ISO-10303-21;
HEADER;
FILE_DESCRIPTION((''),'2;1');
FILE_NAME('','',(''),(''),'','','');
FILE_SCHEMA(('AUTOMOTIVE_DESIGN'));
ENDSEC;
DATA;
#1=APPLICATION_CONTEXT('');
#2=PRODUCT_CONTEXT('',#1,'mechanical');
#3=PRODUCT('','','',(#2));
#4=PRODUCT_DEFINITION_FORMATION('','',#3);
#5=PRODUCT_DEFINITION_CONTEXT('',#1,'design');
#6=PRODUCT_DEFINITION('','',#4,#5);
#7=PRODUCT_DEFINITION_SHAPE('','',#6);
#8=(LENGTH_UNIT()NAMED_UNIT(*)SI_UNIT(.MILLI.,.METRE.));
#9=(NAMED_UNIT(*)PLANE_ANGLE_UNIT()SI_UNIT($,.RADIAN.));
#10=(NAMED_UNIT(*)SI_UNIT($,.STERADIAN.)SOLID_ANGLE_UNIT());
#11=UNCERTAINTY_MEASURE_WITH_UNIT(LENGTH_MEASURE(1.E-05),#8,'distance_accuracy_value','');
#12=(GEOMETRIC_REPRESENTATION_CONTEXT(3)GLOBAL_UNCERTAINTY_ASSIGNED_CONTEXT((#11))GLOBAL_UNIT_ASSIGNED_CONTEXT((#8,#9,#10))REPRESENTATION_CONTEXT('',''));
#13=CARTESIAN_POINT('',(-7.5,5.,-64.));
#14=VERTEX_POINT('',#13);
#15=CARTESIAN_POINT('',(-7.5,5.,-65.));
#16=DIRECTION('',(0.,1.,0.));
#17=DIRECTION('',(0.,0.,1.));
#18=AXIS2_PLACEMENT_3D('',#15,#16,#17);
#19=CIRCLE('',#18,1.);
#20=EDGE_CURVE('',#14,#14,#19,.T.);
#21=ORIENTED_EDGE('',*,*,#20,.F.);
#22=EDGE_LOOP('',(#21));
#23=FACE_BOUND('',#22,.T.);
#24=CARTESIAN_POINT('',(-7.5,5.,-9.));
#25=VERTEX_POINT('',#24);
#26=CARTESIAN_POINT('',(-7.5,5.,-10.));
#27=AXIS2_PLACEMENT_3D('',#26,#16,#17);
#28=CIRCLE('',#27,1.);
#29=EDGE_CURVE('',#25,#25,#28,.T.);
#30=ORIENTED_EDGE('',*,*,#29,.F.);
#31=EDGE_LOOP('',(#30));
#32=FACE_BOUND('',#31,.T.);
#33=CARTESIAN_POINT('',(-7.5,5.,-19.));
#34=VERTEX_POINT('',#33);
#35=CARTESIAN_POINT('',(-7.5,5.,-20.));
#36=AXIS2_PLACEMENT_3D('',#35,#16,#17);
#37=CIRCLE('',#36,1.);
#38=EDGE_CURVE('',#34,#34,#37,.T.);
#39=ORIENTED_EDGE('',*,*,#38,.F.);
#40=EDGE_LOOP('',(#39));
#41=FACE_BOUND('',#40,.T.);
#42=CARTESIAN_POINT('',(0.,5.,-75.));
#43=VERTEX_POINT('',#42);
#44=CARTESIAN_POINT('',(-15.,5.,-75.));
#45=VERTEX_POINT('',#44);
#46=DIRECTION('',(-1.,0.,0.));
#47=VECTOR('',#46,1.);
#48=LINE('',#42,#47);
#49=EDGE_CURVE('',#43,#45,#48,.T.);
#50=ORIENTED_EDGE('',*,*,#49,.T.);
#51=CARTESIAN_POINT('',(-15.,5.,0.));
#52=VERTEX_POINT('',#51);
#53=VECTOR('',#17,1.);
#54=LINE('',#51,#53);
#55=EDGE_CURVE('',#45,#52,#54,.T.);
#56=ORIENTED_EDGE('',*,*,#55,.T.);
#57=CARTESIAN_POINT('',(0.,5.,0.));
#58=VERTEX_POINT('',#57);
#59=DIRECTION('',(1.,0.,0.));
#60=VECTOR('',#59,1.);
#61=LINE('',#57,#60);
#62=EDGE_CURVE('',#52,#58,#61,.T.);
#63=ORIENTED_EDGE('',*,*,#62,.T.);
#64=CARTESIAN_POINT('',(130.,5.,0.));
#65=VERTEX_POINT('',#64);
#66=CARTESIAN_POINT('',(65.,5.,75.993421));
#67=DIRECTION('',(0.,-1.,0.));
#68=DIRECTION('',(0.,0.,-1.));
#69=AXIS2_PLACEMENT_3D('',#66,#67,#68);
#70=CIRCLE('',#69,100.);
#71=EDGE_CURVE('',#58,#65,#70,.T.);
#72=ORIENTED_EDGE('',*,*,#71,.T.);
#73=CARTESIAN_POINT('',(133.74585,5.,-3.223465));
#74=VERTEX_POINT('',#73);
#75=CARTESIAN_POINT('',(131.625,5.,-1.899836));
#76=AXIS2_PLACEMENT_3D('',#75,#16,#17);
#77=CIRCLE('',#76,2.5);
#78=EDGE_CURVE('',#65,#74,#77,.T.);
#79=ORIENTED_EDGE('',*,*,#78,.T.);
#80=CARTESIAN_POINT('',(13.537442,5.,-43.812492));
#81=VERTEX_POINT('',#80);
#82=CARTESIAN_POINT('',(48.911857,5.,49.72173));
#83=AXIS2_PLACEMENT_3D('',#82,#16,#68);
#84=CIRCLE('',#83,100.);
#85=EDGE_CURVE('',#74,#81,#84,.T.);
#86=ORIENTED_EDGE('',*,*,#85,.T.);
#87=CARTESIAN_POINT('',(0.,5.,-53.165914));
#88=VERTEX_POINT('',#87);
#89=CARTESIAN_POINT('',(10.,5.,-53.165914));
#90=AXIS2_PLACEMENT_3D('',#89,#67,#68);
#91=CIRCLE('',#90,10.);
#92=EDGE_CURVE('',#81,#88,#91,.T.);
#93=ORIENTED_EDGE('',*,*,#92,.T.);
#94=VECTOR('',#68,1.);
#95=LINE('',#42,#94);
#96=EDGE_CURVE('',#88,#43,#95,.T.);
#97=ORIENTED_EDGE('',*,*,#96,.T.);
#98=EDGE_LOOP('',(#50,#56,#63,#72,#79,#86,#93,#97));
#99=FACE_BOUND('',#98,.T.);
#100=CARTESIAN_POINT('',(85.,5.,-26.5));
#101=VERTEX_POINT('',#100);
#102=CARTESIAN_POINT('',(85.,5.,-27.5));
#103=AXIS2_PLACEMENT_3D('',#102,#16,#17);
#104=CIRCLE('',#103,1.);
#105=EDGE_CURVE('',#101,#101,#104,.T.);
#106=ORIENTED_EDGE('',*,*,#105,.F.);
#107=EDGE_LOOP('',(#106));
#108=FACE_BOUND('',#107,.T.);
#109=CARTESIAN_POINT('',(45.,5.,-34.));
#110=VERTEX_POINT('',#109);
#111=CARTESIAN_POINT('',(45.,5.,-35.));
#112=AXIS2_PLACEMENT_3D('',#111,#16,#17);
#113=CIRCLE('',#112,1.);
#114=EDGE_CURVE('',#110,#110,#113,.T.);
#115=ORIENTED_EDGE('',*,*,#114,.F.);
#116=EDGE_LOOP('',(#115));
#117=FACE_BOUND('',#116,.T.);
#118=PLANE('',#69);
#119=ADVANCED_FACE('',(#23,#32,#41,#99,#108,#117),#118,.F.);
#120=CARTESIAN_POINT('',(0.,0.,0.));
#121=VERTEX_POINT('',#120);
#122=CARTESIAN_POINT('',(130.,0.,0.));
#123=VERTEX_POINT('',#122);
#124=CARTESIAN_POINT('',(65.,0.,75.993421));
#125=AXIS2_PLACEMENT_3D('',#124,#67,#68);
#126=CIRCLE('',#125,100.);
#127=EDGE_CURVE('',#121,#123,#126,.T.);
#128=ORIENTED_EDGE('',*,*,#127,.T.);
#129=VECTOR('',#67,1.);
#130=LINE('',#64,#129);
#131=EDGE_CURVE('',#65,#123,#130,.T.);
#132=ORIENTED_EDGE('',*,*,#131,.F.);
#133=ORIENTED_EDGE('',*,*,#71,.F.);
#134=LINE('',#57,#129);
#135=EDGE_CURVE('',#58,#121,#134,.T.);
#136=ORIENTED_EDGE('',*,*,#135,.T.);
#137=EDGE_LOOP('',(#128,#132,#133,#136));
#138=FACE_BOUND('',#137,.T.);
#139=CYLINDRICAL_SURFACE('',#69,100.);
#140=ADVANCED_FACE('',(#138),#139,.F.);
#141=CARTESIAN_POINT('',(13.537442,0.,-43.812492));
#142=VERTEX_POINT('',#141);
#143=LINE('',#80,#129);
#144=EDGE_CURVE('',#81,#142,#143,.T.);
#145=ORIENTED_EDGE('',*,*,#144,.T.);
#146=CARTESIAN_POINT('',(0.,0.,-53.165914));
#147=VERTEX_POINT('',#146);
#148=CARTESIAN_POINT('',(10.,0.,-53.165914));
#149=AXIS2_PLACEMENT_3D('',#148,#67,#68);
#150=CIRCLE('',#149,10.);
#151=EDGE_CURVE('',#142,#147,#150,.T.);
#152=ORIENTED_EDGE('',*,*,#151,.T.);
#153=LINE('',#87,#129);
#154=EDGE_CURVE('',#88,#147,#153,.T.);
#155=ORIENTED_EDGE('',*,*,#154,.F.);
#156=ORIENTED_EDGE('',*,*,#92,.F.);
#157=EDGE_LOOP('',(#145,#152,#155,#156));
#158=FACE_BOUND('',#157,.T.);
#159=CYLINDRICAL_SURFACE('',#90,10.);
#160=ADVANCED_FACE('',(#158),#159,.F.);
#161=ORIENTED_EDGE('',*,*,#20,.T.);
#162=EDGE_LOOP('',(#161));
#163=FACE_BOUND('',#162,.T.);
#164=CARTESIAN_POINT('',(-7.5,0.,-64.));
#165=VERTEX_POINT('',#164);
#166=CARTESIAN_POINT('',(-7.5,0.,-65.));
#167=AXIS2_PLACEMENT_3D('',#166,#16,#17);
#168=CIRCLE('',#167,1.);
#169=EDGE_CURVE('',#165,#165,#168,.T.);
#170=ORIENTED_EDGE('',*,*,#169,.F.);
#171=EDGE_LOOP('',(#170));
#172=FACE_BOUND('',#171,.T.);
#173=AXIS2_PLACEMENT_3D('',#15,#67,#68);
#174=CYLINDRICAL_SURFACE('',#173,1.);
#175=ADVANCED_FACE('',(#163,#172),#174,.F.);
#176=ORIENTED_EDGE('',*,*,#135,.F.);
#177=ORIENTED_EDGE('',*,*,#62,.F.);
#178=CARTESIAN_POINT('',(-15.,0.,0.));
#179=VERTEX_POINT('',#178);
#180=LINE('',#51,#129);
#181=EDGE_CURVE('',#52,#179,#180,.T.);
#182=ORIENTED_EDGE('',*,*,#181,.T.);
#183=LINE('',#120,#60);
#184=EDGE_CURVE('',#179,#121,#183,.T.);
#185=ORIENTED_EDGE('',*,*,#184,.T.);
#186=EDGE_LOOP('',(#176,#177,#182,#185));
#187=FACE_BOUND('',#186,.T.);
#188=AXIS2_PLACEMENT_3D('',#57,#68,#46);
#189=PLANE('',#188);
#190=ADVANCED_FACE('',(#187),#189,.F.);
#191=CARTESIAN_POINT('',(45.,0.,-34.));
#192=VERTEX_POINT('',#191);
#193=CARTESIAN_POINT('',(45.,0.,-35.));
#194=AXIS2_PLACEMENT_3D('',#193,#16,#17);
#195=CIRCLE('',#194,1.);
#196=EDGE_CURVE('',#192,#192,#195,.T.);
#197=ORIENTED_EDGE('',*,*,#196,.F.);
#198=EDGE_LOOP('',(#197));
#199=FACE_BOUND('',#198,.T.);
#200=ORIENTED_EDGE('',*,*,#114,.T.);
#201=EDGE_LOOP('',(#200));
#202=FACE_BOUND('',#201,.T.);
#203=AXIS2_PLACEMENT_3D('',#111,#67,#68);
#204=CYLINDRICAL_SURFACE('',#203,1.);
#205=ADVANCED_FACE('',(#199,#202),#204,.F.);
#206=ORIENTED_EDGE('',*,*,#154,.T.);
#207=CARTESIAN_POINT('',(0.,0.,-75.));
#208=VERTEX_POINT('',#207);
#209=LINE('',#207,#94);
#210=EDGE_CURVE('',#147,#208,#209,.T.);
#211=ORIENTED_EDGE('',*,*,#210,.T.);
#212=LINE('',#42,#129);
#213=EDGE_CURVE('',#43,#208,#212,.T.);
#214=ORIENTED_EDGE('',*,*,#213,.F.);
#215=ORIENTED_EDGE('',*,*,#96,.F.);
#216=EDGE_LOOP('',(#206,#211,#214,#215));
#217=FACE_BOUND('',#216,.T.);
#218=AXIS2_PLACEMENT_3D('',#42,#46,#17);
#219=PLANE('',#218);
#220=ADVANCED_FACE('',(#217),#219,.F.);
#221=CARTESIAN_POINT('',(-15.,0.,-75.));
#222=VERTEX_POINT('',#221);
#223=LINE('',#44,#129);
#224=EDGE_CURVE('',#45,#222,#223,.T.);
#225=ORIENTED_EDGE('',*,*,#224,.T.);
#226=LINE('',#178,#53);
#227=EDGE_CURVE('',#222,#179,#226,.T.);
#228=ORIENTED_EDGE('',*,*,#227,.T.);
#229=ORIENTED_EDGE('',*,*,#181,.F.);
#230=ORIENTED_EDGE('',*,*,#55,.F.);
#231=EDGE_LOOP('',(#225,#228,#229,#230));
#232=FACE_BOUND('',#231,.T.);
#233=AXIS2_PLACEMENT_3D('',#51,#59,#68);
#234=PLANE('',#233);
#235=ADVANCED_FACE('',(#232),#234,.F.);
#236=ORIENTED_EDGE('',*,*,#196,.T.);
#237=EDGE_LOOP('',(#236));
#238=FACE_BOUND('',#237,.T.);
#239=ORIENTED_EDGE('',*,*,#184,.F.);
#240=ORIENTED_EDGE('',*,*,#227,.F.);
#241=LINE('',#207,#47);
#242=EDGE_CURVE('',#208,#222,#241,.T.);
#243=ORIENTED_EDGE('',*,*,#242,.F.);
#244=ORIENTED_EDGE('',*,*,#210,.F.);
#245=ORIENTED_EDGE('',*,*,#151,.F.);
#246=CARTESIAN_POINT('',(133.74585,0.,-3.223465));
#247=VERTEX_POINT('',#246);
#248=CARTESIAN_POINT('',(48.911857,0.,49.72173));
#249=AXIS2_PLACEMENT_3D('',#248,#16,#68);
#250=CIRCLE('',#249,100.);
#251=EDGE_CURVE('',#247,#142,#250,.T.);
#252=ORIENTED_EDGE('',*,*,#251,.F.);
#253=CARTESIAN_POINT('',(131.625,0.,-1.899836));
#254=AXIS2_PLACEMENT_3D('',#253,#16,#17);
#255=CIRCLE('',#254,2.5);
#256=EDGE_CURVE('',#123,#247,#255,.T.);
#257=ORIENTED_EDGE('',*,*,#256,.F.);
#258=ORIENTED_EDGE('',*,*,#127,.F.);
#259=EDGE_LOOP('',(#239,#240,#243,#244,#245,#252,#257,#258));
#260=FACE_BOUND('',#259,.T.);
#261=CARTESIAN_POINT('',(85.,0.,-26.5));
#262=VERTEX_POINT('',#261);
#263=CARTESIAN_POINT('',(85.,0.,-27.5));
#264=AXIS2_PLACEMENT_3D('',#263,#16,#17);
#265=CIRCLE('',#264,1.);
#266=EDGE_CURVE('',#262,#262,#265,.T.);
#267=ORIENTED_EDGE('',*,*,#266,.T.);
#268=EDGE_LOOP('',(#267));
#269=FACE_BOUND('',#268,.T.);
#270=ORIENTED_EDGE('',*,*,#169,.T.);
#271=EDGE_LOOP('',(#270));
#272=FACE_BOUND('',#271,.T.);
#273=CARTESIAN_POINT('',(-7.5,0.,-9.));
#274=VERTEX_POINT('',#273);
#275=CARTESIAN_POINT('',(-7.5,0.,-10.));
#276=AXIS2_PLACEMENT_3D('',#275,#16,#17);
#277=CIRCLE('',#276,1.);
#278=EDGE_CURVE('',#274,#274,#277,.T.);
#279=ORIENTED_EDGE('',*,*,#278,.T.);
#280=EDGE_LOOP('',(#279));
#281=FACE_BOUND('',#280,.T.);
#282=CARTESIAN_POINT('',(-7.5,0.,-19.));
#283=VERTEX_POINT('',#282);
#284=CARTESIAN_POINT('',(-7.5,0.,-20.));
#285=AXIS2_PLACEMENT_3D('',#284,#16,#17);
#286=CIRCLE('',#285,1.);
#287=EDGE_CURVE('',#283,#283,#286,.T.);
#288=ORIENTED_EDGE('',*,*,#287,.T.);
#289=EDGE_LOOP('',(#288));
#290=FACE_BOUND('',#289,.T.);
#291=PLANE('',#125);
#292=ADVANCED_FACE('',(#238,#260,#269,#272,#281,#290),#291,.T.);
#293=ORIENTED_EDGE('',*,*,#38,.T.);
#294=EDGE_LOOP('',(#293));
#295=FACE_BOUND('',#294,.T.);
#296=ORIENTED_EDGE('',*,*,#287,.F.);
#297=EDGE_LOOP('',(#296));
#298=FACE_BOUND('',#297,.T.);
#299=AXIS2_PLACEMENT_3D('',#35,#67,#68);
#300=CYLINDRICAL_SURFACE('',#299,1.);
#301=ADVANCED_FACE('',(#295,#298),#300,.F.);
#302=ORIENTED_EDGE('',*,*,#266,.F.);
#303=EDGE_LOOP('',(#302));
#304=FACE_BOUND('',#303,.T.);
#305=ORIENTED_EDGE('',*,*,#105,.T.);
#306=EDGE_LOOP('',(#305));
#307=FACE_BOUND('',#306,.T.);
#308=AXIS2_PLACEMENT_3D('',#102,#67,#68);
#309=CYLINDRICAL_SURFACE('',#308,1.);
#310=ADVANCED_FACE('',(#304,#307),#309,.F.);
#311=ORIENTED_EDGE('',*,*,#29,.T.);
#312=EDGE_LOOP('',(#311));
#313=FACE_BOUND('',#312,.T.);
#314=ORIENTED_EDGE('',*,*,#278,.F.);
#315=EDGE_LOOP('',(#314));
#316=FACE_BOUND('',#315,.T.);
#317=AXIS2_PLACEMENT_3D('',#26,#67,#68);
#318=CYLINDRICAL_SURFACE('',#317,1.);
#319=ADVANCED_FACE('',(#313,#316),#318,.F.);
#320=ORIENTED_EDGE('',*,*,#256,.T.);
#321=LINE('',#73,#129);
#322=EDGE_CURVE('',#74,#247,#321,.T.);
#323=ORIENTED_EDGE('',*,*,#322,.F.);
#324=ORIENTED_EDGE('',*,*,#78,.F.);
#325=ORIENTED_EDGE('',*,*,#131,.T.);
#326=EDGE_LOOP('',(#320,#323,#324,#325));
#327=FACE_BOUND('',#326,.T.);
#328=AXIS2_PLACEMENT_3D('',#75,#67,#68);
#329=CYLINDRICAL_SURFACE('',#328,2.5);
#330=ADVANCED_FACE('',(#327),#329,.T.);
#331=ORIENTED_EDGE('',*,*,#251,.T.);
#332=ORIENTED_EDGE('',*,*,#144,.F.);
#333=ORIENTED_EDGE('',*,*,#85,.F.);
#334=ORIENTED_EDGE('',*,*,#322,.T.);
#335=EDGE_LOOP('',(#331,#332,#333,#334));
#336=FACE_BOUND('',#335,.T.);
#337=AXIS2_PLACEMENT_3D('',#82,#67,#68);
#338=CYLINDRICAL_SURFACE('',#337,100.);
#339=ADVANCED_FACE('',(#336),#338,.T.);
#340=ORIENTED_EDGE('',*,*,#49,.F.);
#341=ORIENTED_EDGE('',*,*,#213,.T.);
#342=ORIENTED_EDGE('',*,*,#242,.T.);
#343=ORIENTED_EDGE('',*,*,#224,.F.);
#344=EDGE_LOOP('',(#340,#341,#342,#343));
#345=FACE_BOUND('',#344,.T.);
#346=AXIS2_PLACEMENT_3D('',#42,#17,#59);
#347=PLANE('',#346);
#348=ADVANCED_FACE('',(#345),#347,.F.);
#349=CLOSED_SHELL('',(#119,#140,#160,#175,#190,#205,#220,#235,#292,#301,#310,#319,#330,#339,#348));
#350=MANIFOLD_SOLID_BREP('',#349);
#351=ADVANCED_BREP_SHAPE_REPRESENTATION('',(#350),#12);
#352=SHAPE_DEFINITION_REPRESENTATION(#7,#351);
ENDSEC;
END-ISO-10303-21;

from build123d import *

# Parameters (mm, degrees)
SKETCH1_R           = 1
BOSS_EXTRUDE1_DEPTH = 5


with BuildPart() as part:
    # Sketch1 → Boss-Extrude1 (new body)
    with BuildSketch(Plane(origin=(0, 0, 0), x_dir=(1, 0, 0), z_dir=(0, 1, 0))):
        with BuildLine():
            Line((0, 75), (0, 53.165914195))
            ThreePointArc((0, 53.165914195), (4.315565807, 44.938690611), (13.537441581, 43.812491984))
            ThreePointArc((13.537441581, 43.812491984), (80.9029452, 45.023033848), (133.74584981, 3.223465408))
            ThreePointArc((133.74584981, 3.223465408), (133.255689752, 0.004881448), (130, 0))
            ThreePointArc((130, 0), (65, 24.006579232), (0, 0))
            Line((0, 0), (-15, 0))
            Line((-15, 0), (-15, 75))
            Line((-15, 75), (0, 75))
        make_face()
        with Locations(Location((-7.5, 10, 0), (0, 0, 270))):
            Circle(SKETCH1_R, mode=Mode.SUBTRACT)
        with Locations(Location((-7.5, 20, 0), (0, 0, 270))):
            Circle(SKETCH1_R, mode=Mode.SUBTRACT)
        with Locations(Location((-7.5, 65, 0), (0, 0, 270))):
            Circle(SKETCH1_R, mode=Mode.SUBTRACT)
        with Locations(Location((85, 27.5, 0), (0, 0, 270))):
            Circle(SKETCH1_R, mode=Mode.SUBTRACT)
        with Locations(Location((45, 35, 0), (0, 0, 270))):
            Circle(SKETCH1_R, mode=Mode.SUBTRACT)
    extrude(amount=BOSS_EXTRUDE1_DEPTH)


solid = part.part
